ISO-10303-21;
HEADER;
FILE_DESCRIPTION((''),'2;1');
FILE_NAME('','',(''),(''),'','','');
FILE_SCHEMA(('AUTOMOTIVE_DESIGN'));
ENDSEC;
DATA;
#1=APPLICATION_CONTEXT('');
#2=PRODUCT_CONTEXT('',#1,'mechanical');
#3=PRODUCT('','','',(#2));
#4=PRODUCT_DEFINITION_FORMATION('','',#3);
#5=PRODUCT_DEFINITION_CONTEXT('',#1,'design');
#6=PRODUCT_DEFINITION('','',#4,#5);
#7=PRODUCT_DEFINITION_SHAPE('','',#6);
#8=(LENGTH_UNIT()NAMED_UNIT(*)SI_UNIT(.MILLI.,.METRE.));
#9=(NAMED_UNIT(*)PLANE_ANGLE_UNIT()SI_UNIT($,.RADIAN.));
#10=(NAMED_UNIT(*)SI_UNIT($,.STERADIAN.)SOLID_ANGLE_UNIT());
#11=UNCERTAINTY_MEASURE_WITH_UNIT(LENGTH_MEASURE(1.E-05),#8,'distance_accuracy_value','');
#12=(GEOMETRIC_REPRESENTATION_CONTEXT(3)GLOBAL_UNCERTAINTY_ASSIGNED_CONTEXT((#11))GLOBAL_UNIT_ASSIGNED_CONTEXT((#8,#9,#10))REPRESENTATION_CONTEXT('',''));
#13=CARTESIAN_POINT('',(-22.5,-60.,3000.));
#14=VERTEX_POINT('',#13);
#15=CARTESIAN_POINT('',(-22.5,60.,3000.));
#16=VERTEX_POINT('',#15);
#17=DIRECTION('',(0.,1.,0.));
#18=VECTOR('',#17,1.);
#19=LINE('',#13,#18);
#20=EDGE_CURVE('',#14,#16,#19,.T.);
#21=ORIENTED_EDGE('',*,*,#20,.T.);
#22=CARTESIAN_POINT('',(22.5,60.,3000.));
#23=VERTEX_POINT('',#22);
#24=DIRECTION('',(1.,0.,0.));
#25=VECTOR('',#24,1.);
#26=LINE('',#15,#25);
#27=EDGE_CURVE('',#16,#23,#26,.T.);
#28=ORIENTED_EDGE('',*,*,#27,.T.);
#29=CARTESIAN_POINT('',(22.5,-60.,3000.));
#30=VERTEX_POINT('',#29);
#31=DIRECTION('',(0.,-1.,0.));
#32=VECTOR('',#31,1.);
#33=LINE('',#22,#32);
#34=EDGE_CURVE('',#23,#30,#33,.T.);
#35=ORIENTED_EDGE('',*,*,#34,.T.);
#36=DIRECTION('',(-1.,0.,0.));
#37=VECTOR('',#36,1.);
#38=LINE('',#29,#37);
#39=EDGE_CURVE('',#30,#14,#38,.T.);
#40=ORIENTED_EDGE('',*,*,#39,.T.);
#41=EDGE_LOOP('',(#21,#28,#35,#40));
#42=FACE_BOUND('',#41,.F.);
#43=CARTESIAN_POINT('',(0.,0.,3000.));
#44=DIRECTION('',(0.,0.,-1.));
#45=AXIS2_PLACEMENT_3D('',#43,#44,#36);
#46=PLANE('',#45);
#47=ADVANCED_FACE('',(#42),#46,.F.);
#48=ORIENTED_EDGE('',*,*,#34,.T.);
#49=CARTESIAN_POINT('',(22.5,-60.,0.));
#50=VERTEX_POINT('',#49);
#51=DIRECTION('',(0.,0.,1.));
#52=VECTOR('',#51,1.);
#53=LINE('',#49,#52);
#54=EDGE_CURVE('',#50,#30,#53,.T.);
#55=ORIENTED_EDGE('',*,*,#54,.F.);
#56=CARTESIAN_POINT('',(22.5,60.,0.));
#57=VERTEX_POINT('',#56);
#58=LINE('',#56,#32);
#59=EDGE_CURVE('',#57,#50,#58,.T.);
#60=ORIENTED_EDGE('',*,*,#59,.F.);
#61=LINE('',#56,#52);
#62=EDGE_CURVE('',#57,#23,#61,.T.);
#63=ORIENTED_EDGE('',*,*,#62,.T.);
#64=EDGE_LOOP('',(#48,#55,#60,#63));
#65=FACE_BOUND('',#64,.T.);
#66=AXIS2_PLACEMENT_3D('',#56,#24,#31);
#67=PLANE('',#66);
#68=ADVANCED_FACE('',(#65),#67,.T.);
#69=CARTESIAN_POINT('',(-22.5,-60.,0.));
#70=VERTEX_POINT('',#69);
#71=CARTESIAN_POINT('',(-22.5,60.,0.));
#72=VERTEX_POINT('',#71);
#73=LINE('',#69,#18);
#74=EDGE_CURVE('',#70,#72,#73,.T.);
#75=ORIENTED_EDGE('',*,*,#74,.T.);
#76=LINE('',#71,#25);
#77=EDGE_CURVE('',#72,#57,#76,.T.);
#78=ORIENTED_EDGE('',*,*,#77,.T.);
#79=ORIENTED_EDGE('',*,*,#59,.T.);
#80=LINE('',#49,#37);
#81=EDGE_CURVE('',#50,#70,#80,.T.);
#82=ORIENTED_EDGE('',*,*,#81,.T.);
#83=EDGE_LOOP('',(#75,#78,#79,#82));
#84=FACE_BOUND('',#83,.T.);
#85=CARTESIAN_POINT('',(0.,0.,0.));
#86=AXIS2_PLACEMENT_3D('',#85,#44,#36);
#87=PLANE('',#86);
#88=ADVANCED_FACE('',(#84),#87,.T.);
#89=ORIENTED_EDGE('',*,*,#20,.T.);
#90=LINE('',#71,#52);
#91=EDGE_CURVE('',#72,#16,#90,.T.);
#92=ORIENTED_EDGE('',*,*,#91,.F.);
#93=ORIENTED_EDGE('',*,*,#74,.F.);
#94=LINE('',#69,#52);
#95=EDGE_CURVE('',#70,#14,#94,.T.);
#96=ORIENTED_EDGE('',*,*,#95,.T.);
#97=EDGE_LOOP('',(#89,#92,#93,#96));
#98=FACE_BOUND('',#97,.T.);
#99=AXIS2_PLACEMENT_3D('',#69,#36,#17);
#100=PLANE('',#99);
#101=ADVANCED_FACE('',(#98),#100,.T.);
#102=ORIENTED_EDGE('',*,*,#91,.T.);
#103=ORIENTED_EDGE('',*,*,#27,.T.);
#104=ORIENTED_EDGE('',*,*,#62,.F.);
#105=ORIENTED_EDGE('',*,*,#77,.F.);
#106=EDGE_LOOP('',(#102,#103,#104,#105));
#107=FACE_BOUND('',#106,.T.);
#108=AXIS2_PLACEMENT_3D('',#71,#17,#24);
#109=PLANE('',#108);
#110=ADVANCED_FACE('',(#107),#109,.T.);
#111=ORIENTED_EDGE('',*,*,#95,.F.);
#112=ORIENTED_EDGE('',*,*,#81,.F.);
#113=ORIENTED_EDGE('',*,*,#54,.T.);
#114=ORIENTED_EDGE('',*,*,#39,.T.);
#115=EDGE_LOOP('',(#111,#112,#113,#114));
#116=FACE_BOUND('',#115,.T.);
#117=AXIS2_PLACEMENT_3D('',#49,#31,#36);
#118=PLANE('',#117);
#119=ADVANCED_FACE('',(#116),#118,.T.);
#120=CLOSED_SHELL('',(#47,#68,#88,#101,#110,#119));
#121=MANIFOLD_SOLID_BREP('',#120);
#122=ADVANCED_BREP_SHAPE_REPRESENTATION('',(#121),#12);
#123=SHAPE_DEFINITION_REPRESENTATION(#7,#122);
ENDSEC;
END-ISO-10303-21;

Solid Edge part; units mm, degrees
sketch "Sketch1" plane through (0, 0, 0) normal (0, 0, -1) x (-1, 0, 0)
  line L0 (-22.5, -60) -> (22.5, -60)
  line L1 (22.5, -60) -> (22.5, 60)
  line L2 (22.5, 60) -> (-22.5, 60)
  line L3 (-22.5, 60) -> (-22.5, -60)
extrude "Protrusion1" add sketch "Sketch1" against normal blind 3000
properties material "Wood, Pine"
